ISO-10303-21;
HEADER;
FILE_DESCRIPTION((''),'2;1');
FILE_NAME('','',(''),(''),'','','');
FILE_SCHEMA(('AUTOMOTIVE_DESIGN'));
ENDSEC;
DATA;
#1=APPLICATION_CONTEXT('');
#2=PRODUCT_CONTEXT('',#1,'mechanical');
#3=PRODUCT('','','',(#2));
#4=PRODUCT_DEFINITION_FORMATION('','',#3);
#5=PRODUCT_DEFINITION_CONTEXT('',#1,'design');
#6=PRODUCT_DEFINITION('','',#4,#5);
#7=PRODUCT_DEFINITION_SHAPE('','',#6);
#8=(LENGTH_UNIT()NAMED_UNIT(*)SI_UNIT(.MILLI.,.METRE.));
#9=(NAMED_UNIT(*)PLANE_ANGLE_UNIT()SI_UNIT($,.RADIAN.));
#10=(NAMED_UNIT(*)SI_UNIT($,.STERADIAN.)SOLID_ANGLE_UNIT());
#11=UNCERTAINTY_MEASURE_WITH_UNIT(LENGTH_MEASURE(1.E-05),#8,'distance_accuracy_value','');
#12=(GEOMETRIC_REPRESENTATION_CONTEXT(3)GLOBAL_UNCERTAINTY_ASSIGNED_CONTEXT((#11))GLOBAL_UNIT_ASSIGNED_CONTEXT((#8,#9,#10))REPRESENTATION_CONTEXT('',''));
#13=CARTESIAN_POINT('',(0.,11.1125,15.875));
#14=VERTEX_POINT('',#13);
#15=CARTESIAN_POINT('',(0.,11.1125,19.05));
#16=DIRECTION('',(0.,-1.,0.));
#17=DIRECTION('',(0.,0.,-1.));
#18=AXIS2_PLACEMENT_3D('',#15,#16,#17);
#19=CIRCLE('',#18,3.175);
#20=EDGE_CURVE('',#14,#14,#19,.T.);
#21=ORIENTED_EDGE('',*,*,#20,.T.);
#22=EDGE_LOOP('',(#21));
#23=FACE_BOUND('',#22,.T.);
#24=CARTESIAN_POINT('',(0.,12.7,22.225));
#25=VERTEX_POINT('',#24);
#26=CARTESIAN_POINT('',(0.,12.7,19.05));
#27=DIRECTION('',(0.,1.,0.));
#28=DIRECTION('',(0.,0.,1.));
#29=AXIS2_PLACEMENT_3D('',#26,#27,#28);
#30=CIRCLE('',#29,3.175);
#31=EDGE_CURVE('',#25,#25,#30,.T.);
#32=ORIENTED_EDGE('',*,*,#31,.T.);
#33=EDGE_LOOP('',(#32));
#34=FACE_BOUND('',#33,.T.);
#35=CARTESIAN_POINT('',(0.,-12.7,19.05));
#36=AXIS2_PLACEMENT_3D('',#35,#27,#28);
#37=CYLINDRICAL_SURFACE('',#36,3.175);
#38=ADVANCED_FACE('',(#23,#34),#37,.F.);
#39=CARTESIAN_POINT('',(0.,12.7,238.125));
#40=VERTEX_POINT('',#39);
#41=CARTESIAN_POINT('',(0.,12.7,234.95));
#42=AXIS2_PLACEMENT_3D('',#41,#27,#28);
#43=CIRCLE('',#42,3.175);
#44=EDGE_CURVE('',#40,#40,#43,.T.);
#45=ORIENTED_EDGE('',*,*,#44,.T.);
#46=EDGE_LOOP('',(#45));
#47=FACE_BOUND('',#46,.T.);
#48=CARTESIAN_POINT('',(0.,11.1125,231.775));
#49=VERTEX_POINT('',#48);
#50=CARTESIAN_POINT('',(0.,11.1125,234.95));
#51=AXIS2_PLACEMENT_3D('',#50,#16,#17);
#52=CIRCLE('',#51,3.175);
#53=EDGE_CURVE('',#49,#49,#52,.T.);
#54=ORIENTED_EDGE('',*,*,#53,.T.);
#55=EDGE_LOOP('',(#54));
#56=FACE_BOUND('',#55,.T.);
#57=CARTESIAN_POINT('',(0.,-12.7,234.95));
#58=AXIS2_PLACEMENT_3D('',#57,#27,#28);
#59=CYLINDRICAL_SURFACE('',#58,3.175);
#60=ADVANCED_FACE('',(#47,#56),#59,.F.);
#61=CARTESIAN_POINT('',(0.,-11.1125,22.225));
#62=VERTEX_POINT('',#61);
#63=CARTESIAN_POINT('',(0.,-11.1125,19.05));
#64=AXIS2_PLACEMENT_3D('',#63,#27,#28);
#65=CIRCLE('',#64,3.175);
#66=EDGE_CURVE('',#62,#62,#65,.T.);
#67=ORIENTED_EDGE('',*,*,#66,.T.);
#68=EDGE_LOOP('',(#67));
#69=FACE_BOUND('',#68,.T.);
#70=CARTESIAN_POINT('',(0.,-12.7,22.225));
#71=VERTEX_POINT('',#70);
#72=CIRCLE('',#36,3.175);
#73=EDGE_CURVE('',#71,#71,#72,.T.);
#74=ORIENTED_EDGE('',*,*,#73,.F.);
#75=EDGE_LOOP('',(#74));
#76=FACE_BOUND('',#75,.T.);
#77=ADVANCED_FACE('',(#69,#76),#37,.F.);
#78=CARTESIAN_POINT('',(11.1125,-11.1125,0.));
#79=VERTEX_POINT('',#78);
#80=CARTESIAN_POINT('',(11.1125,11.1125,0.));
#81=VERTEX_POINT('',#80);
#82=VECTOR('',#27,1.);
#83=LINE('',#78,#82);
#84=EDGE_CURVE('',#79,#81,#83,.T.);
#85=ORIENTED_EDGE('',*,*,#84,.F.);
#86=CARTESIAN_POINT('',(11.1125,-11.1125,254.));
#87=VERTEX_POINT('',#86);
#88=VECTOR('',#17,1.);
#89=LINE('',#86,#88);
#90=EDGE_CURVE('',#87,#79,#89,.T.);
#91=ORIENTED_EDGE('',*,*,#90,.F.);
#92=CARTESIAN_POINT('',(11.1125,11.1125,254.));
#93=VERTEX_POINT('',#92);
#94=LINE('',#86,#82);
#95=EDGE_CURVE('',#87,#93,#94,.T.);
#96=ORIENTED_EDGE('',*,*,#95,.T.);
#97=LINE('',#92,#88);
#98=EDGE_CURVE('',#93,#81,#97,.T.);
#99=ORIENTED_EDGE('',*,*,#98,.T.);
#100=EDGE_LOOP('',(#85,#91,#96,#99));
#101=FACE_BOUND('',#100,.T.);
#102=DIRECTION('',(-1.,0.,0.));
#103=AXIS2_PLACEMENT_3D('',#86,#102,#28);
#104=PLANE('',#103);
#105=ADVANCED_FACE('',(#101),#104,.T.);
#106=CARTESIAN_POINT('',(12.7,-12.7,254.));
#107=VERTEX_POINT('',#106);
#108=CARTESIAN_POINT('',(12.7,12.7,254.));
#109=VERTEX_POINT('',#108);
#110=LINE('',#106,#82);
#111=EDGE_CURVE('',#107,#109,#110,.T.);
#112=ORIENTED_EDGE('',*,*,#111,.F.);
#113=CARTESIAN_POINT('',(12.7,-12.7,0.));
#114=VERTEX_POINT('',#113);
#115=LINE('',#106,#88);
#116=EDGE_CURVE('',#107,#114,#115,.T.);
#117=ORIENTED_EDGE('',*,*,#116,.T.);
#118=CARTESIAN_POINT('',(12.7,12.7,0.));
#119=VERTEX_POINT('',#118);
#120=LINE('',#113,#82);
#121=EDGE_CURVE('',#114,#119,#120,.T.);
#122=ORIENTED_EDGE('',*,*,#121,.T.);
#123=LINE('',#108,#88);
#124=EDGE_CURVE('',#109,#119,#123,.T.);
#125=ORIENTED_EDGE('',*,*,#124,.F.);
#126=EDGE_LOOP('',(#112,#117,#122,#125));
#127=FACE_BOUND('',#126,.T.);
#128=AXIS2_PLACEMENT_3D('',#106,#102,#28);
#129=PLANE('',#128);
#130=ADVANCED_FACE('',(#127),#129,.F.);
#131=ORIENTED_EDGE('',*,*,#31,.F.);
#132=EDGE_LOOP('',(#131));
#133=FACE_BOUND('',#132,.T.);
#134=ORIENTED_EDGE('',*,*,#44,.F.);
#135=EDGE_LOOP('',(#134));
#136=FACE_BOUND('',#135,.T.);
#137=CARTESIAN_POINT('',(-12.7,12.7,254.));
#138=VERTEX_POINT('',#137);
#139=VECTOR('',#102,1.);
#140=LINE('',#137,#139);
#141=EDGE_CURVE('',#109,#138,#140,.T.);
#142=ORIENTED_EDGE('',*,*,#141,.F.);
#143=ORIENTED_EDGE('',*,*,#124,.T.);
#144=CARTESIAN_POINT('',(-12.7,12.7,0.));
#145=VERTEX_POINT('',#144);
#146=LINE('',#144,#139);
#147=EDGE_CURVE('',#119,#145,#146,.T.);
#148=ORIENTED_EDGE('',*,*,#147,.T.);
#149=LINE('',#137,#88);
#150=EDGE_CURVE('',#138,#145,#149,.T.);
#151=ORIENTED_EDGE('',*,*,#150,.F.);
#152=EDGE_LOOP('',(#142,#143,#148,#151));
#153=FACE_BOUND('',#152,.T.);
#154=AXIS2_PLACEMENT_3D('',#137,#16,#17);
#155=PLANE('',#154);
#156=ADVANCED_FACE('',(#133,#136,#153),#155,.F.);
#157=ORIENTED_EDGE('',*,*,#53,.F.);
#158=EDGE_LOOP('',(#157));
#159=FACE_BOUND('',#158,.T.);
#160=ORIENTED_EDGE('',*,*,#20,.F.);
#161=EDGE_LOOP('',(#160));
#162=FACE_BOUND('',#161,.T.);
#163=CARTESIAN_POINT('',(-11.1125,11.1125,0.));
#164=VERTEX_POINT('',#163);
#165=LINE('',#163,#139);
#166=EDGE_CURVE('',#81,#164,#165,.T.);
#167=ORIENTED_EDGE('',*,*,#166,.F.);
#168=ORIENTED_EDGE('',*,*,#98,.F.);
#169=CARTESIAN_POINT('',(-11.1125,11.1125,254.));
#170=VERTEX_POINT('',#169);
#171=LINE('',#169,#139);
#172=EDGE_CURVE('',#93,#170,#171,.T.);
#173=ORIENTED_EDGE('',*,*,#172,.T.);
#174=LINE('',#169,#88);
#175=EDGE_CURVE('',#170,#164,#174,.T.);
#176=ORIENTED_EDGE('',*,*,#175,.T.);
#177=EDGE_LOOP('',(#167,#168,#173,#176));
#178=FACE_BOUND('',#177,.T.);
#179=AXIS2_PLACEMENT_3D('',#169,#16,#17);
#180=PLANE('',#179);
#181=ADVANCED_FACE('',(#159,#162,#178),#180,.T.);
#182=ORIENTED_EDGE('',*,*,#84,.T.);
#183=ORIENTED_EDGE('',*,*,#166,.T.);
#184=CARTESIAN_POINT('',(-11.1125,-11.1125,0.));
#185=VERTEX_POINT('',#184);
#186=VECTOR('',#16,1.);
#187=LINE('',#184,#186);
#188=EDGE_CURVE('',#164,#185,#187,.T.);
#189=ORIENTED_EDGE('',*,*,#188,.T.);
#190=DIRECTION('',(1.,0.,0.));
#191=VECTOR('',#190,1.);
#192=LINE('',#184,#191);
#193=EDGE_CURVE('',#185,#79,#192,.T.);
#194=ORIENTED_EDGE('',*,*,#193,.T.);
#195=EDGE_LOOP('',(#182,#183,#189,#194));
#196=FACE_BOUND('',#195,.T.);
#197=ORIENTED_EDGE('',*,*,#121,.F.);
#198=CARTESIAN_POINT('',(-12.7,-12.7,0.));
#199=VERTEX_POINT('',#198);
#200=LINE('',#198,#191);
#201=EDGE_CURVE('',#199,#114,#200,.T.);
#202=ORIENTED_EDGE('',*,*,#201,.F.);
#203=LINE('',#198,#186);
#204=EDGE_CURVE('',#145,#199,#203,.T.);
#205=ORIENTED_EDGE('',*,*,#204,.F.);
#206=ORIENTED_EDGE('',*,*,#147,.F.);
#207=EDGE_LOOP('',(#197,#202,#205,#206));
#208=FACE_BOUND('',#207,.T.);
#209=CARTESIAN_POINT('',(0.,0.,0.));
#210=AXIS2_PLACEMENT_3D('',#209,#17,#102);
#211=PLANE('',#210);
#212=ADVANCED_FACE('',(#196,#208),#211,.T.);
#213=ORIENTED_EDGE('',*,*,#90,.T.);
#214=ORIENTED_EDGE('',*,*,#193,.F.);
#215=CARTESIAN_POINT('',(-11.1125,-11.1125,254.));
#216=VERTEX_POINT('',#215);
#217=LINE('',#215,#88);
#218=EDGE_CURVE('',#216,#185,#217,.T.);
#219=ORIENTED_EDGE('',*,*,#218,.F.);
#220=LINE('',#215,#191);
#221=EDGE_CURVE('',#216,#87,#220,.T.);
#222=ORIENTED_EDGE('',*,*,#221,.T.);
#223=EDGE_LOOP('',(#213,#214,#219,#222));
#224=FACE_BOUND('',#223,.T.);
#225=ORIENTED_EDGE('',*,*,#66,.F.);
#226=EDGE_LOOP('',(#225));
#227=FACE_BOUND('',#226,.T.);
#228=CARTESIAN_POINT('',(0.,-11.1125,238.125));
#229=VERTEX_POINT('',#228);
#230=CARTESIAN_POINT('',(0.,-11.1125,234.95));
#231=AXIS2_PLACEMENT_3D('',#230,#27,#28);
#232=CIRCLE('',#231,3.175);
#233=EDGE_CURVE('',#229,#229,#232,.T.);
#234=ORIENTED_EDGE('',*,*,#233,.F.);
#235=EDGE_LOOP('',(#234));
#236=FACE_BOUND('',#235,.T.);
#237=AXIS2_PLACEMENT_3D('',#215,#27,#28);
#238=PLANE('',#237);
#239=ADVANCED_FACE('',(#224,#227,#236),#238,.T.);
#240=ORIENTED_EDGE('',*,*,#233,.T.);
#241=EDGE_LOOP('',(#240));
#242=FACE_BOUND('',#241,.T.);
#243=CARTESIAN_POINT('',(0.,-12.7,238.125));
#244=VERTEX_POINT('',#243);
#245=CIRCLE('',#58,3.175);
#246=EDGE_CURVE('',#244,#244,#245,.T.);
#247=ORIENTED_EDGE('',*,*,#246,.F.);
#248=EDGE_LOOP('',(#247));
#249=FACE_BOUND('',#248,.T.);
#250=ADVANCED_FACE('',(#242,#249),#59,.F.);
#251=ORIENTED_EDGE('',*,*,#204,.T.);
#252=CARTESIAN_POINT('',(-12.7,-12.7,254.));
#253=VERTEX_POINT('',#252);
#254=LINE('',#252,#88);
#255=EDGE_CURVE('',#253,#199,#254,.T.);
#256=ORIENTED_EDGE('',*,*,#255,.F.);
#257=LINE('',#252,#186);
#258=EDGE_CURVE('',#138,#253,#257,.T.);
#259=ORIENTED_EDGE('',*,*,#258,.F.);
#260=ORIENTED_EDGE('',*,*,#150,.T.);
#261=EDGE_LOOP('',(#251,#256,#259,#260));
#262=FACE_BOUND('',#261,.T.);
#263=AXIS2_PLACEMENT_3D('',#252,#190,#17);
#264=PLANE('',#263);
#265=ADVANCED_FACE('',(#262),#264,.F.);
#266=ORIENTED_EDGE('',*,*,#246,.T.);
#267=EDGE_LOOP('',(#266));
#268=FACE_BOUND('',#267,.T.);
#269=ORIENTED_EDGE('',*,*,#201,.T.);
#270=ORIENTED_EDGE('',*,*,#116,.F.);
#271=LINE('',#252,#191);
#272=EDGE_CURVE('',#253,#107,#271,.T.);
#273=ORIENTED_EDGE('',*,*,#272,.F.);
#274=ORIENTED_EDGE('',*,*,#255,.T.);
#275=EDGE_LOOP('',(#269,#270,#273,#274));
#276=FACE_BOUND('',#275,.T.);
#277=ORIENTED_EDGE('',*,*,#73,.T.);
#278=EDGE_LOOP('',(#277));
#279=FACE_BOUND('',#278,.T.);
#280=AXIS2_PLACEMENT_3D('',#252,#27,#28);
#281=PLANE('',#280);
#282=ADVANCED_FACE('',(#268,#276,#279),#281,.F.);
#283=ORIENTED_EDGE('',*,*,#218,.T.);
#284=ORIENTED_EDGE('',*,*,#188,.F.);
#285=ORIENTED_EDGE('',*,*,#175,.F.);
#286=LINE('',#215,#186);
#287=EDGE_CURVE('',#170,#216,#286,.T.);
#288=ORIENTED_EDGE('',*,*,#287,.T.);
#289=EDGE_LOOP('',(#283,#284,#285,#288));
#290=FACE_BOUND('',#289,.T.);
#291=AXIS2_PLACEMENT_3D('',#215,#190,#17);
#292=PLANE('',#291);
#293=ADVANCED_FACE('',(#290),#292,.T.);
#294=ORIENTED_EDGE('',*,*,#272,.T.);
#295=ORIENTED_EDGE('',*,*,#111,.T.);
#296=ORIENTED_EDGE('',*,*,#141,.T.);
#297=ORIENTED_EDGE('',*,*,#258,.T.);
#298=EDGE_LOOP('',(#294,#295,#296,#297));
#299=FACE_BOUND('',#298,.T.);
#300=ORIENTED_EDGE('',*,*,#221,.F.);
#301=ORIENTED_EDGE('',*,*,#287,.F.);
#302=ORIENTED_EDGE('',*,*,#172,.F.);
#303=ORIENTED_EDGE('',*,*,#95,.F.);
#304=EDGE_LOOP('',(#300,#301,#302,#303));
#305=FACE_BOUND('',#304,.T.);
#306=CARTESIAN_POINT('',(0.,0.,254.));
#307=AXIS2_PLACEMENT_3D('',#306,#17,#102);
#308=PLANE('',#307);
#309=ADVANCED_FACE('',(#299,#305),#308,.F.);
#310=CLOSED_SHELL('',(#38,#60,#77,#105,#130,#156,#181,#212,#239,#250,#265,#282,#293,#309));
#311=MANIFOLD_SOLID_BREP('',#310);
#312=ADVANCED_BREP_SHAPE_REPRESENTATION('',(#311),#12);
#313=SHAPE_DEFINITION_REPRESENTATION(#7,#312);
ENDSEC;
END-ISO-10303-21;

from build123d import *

# Parameters (mm, degrees)
SKETCH1_W           = 25.4
SKETCH1_H           = 25.4
SKETCH1_W_2         = 22.225
SKETCH1_H_2         = 22.225
BOSS_EXTRUDE1_DEPTH = 254
SKETCH2_R           = 3.175
CUT_EXTRUDE1_DEPTH  = 256.582569828


with BuildPart() as part:
    # Sketch1 → Boss-Extrude1 (new body)
    with BuildSketch(Plane.XY):
        Rectangle(SKETCH1_W, SKETCH1_H)
        Rectangle(SKETCH1_W_2, SKETCH1_H_2, mode=Mode.SUBTRACT)
    extrude(amount=BOSS_EXTRUDE1_DEPTH)

    # Sketch2 → Cut-Extrude1 (cut, through all)
    with BuildSketch(Plane(origin=(0, 12.7, 0), x_dir=(1, 0, 0), z_dir=(0, 1, 0))):
        with Locations(Location((0, -19.05, 0), (0, 0, 270))):
            Circle(SKETCH2_R)
        with Locations(Location((0, -234.95, 0), (0, 0, 270))):
            Circle(SKETCH2_R)
    extrude(amount=-CUT_EXTRUDE1_DEPTH, mode=Mode.SUBTRACT)


solid = part.part
